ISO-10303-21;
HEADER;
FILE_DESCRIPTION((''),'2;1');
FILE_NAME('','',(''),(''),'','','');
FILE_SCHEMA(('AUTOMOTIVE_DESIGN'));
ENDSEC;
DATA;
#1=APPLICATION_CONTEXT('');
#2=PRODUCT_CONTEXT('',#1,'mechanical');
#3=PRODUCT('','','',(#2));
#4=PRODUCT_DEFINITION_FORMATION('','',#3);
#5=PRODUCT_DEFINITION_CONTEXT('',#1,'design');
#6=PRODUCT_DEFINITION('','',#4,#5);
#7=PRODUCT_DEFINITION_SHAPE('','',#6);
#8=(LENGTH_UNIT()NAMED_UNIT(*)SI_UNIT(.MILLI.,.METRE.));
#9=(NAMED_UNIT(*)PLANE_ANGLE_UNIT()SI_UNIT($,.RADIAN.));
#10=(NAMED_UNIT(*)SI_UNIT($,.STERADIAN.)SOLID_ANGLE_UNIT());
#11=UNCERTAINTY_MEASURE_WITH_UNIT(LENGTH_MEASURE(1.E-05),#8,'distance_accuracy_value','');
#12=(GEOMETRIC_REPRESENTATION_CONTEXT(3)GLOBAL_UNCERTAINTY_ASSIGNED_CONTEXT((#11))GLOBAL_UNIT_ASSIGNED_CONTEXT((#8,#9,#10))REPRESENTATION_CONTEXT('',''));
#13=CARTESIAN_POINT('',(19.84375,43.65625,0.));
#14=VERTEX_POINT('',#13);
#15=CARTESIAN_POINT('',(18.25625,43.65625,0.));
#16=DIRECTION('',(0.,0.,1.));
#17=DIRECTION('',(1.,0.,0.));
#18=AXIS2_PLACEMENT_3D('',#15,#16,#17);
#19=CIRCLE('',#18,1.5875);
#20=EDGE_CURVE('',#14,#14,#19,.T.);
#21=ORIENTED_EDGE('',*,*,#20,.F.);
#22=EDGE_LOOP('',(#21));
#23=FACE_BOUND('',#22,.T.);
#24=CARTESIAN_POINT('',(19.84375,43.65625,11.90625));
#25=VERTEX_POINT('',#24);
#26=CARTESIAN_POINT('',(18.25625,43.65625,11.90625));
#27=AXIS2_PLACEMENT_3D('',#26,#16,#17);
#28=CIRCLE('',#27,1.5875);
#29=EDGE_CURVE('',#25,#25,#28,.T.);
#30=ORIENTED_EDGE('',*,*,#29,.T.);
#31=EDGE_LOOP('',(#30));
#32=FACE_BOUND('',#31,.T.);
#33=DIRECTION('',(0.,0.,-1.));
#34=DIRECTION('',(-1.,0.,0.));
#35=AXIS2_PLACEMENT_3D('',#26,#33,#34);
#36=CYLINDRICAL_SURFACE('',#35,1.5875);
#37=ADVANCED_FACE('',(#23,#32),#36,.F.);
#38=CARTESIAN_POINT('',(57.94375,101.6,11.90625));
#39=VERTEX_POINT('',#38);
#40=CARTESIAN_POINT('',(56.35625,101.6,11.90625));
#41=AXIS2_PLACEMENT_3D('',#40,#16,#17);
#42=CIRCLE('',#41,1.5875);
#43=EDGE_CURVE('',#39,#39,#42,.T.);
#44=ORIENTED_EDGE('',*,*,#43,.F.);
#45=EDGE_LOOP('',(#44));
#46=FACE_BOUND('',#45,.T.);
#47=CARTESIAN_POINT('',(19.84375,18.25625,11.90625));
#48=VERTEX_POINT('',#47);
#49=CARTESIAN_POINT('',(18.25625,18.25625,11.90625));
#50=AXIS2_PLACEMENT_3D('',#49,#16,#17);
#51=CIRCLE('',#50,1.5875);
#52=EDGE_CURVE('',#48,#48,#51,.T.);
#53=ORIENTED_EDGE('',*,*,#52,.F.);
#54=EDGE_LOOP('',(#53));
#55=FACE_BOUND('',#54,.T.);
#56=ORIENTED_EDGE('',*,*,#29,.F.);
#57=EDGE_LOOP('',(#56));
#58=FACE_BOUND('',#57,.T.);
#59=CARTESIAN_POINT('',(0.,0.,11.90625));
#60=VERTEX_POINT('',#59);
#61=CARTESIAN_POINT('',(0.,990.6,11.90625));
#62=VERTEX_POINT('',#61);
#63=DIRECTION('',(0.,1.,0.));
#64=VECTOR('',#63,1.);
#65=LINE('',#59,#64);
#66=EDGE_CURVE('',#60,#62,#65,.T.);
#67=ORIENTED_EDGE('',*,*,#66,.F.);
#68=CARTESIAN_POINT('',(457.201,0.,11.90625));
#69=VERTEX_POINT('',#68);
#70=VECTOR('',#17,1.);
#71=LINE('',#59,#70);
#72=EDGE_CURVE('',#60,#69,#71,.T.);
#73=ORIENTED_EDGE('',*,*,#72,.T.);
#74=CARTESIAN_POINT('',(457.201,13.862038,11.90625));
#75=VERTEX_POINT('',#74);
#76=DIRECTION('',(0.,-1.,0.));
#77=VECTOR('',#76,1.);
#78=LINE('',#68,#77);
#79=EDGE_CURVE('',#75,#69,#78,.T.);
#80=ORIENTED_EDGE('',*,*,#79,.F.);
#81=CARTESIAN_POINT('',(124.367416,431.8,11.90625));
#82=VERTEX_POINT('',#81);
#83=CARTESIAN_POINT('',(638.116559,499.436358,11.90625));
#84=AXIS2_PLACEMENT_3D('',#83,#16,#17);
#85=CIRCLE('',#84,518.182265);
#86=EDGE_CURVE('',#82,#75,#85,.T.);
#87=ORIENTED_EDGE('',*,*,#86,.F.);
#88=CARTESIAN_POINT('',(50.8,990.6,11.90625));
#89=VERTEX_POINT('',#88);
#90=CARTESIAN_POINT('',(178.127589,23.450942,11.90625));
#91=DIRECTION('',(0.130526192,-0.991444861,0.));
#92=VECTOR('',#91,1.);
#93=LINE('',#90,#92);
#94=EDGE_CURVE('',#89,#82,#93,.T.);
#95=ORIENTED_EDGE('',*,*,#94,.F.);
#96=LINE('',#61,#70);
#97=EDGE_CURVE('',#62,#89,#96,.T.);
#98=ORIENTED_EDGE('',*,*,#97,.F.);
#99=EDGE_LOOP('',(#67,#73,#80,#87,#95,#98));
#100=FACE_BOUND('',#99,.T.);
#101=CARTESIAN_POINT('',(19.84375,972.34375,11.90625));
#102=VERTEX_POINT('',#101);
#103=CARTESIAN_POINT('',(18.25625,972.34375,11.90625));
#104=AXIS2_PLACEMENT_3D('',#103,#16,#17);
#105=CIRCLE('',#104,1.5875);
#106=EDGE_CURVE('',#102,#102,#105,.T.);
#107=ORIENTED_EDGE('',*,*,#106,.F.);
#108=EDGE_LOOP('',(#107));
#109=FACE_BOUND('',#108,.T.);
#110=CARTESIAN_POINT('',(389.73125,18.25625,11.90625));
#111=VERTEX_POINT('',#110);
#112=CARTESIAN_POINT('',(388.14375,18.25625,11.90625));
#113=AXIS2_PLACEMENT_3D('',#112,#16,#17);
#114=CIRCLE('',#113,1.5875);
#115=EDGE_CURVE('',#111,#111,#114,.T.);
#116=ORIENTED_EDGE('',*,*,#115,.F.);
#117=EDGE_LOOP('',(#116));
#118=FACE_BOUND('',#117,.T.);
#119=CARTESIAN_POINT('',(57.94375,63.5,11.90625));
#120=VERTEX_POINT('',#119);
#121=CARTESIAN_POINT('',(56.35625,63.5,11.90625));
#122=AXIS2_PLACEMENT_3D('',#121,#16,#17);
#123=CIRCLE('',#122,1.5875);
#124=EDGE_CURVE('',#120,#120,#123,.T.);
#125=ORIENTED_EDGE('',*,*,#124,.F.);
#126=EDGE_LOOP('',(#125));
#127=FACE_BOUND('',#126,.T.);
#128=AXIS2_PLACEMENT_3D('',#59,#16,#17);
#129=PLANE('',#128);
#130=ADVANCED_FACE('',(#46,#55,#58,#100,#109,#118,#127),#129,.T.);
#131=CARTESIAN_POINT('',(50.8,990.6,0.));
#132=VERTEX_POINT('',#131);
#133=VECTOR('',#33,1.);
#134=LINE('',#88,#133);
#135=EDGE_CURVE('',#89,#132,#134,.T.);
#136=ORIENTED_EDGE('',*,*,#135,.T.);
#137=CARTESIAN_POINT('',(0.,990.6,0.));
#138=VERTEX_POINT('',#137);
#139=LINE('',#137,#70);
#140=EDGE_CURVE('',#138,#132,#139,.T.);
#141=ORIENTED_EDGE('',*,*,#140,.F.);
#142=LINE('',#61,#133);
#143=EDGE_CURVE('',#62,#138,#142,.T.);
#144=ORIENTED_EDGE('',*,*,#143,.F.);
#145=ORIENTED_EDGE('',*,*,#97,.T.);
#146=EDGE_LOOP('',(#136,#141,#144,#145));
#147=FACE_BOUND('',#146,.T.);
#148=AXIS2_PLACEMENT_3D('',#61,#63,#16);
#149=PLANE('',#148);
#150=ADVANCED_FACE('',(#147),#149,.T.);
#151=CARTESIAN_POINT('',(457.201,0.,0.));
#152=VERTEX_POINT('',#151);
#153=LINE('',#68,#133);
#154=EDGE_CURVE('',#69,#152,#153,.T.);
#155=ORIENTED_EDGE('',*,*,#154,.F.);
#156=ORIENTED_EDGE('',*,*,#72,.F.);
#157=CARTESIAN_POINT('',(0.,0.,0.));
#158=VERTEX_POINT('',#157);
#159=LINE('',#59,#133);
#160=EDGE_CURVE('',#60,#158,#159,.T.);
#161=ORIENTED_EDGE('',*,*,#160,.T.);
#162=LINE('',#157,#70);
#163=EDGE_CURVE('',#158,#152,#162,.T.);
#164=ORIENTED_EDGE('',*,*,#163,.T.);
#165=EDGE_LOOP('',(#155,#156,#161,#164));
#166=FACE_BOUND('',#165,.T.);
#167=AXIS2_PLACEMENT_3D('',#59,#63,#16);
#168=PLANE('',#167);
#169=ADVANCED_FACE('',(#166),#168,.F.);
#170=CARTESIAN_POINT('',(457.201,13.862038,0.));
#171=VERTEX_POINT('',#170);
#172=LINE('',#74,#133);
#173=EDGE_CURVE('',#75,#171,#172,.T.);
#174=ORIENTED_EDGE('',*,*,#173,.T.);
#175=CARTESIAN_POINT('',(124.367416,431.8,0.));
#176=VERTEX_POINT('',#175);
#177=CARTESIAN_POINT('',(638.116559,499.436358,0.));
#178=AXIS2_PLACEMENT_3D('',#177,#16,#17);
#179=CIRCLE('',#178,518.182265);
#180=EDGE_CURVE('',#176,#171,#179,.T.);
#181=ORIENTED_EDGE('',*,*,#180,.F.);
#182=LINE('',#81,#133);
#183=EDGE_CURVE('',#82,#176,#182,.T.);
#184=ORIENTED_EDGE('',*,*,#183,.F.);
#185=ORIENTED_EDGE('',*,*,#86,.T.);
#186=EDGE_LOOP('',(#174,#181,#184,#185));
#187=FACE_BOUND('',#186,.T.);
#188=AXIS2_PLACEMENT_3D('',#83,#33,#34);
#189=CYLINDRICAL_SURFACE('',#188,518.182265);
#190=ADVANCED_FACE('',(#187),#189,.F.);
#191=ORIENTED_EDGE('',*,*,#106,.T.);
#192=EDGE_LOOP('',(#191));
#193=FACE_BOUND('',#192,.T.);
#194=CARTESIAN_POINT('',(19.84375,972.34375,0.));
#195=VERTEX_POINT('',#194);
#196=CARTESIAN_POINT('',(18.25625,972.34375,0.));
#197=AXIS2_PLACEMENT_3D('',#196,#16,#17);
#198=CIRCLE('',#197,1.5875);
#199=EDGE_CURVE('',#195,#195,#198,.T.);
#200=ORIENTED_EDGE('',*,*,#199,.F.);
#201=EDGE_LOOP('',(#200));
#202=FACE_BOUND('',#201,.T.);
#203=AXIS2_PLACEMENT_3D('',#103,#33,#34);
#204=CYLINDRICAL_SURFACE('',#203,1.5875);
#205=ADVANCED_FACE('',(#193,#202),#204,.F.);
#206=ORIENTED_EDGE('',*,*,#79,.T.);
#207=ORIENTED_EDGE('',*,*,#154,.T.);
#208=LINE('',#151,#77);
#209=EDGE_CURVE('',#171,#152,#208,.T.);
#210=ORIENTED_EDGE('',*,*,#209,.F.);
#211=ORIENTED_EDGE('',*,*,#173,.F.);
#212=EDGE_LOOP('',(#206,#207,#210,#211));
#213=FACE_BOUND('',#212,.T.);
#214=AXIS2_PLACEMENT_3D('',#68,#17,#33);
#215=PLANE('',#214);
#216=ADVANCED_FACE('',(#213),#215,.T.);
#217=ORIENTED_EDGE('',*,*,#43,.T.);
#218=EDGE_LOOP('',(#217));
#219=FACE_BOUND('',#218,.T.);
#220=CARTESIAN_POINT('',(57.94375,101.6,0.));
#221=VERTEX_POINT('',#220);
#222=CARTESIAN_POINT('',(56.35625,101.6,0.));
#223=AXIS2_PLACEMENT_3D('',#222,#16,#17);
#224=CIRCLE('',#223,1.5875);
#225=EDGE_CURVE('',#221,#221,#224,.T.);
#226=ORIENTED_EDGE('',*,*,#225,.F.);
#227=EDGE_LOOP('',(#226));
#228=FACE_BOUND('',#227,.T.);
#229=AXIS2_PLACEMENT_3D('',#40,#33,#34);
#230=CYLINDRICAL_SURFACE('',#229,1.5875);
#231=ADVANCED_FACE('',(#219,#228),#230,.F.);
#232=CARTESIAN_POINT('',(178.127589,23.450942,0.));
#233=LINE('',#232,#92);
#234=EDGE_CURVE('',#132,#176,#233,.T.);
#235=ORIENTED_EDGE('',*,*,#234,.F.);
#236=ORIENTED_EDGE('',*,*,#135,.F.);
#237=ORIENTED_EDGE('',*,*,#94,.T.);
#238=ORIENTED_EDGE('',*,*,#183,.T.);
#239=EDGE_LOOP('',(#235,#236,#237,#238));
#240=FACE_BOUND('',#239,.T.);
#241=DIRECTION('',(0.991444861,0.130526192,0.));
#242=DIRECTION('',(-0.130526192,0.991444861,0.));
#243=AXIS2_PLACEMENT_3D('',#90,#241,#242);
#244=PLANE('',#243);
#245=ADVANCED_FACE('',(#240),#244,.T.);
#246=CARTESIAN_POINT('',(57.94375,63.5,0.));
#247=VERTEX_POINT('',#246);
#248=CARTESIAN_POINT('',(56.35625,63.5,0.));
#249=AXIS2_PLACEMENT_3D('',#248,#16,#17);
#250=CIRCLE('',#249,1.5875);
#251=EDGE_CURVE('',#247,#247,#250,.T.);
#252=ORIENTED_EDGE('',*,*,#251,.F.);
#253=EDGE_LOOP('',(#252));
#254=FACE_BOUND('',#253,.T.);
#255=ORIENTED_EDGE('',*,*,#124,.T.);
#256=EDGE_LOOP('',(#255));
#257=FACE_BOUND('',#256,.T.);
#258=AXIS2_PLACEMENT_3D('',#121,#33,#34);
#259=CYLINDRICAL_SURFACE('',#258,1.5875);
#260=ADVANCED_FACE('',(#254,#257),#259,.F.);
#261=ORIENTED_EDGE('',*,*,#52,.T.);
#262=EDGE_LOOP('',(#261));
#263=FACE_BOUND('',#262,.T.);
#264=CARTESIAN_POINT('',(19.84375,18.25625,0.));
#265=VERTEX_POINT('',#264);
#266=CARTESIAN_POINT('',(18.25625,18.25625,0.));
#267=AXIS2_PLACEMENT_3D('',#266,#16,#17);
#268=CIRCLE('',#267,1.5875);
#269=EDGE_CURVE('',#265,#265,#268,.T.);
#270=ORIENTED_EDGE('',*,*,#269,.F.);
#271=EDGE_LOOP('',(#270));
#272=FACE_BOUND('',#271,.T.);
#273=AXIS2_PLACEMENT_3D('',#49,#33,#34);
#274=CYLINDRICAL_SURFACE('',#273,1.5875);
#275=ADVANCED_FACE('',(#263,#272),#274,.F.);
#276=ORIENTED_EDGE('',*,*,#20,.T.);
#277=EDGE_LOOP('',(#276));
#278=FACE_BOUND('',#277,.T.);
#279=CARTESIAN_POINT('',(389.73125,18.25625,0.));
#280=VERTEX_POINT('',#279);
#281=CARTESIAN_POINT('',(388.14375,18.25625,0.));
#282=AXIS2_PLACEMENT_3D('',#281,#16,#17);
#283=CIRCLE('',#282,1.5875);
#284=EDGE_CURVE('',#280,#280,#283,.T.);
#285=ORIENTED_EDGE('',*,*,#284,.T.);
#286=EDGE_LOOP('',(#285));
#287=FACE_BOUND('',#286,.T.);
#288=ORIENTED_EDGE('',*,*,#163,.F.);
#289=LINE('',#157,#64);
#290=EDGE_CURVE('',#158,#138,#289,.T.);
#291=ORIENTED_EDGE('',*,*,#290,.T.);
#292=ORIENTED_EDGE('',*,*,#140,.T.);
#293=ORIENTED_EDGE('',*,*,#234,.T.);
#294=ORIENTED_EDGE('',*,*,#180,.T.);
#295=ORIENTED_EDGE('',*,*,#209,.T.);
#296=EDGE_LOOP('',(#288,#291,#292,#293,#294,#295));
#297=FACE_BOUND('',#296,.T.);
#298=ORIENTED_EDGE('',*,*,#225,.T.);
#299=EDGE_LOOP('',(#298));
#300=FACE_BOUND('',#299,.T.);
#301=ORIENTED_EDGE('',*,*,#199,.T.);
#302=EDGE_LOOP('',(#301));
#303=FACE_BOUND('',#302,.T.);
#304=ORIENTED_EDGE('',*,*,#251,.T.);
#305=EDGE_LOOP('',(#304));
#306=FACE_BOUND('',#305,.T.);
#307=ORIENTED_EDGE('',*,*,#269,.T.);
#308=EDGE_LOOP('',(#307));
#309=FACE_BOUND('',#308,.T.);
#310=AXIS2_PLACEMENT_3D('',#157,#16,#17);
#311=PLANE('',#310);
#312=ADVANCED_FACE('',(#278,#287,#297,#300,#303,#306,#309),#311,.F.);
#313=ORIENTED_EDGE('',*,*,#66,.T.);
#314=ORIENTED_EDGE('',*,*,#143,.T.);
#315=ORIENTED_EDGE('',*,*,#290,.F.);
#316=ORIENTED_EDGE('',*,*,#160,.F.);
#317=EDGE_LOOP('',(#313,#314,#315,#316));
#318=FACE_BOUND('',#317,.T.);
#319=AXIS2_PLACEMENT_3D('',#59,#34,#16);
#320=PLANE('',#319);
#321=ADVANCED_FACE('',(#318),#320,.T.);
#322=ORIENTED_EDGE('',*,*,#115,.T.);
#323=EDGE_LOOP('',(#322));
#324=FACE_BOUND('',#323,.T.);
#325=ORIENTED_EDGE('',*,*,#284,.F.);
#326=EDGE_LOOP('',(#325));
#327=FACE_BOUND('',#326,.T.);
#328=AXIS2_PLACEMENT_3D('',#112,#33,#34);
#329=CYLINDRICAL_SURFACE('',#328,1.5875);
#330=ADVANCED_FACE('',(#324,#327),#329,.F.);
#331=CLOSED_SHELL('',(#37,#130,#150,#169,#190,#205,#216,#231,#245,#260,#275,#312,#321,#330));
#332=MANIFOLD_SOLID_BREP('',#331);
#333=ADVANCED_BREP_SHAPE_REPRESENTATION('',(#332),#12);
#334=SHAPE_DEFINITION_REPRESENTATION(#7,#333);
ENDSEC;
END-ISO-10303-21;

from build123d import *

# Parameters (mm, degrees)
SKETCH1_R           = 1.5875
BOSS_EXTRUDE1_DEPTH = 11.90625


with BuildPart() as part:
    # Sketch1 → Boss-Extrude1 (new body)
    with BuildSketch(Plane.XY):
        with BuildLine():
            Line((0, 990.6), (0, 0))
            Line((0, 0), (457.201, 0))
            Line((457.201, 0), (457.201, 13.862038208))
            ThreePointArc((457.201, 13.862038208), (232.767577124, 176.628269142), (124.367415652, 431.8))
            Line((124.367415652, 431.8), (50.8, 990.6))
            Line((50.8, 990.6), (0, 990.6))
        make_face()
        with Locations((18.25625, 18.25625)):
            Circle(SKETCH1_R, mode=Mode.SUBTRACT)
        with Locations((18.25625, 43.65625)):
            Circle(SKETCH1_R, mode=Mode.SUBTRACT)
        with Locations((56.35625, 63.5)):
            Circle(SKETCH1_R, mode=Mode.SUBTRACT)
        with Locations((56.35625, 101.6)):
            Circle(SKETCH1_R, mode=Mode.SUBTRACT)
        with Locations((388.14375, 18.25625)):
            Circle(SKETCH1_R, mode=Mode.SUBTRACT)
        with Locations((18.25625, 972.34375)):
            Circle(SKETCH1_R, mode=Mode.SUBTRACT)
    extrude(amount=BOSS_EXTRUDE1_DEPTH)


solid = part.part
